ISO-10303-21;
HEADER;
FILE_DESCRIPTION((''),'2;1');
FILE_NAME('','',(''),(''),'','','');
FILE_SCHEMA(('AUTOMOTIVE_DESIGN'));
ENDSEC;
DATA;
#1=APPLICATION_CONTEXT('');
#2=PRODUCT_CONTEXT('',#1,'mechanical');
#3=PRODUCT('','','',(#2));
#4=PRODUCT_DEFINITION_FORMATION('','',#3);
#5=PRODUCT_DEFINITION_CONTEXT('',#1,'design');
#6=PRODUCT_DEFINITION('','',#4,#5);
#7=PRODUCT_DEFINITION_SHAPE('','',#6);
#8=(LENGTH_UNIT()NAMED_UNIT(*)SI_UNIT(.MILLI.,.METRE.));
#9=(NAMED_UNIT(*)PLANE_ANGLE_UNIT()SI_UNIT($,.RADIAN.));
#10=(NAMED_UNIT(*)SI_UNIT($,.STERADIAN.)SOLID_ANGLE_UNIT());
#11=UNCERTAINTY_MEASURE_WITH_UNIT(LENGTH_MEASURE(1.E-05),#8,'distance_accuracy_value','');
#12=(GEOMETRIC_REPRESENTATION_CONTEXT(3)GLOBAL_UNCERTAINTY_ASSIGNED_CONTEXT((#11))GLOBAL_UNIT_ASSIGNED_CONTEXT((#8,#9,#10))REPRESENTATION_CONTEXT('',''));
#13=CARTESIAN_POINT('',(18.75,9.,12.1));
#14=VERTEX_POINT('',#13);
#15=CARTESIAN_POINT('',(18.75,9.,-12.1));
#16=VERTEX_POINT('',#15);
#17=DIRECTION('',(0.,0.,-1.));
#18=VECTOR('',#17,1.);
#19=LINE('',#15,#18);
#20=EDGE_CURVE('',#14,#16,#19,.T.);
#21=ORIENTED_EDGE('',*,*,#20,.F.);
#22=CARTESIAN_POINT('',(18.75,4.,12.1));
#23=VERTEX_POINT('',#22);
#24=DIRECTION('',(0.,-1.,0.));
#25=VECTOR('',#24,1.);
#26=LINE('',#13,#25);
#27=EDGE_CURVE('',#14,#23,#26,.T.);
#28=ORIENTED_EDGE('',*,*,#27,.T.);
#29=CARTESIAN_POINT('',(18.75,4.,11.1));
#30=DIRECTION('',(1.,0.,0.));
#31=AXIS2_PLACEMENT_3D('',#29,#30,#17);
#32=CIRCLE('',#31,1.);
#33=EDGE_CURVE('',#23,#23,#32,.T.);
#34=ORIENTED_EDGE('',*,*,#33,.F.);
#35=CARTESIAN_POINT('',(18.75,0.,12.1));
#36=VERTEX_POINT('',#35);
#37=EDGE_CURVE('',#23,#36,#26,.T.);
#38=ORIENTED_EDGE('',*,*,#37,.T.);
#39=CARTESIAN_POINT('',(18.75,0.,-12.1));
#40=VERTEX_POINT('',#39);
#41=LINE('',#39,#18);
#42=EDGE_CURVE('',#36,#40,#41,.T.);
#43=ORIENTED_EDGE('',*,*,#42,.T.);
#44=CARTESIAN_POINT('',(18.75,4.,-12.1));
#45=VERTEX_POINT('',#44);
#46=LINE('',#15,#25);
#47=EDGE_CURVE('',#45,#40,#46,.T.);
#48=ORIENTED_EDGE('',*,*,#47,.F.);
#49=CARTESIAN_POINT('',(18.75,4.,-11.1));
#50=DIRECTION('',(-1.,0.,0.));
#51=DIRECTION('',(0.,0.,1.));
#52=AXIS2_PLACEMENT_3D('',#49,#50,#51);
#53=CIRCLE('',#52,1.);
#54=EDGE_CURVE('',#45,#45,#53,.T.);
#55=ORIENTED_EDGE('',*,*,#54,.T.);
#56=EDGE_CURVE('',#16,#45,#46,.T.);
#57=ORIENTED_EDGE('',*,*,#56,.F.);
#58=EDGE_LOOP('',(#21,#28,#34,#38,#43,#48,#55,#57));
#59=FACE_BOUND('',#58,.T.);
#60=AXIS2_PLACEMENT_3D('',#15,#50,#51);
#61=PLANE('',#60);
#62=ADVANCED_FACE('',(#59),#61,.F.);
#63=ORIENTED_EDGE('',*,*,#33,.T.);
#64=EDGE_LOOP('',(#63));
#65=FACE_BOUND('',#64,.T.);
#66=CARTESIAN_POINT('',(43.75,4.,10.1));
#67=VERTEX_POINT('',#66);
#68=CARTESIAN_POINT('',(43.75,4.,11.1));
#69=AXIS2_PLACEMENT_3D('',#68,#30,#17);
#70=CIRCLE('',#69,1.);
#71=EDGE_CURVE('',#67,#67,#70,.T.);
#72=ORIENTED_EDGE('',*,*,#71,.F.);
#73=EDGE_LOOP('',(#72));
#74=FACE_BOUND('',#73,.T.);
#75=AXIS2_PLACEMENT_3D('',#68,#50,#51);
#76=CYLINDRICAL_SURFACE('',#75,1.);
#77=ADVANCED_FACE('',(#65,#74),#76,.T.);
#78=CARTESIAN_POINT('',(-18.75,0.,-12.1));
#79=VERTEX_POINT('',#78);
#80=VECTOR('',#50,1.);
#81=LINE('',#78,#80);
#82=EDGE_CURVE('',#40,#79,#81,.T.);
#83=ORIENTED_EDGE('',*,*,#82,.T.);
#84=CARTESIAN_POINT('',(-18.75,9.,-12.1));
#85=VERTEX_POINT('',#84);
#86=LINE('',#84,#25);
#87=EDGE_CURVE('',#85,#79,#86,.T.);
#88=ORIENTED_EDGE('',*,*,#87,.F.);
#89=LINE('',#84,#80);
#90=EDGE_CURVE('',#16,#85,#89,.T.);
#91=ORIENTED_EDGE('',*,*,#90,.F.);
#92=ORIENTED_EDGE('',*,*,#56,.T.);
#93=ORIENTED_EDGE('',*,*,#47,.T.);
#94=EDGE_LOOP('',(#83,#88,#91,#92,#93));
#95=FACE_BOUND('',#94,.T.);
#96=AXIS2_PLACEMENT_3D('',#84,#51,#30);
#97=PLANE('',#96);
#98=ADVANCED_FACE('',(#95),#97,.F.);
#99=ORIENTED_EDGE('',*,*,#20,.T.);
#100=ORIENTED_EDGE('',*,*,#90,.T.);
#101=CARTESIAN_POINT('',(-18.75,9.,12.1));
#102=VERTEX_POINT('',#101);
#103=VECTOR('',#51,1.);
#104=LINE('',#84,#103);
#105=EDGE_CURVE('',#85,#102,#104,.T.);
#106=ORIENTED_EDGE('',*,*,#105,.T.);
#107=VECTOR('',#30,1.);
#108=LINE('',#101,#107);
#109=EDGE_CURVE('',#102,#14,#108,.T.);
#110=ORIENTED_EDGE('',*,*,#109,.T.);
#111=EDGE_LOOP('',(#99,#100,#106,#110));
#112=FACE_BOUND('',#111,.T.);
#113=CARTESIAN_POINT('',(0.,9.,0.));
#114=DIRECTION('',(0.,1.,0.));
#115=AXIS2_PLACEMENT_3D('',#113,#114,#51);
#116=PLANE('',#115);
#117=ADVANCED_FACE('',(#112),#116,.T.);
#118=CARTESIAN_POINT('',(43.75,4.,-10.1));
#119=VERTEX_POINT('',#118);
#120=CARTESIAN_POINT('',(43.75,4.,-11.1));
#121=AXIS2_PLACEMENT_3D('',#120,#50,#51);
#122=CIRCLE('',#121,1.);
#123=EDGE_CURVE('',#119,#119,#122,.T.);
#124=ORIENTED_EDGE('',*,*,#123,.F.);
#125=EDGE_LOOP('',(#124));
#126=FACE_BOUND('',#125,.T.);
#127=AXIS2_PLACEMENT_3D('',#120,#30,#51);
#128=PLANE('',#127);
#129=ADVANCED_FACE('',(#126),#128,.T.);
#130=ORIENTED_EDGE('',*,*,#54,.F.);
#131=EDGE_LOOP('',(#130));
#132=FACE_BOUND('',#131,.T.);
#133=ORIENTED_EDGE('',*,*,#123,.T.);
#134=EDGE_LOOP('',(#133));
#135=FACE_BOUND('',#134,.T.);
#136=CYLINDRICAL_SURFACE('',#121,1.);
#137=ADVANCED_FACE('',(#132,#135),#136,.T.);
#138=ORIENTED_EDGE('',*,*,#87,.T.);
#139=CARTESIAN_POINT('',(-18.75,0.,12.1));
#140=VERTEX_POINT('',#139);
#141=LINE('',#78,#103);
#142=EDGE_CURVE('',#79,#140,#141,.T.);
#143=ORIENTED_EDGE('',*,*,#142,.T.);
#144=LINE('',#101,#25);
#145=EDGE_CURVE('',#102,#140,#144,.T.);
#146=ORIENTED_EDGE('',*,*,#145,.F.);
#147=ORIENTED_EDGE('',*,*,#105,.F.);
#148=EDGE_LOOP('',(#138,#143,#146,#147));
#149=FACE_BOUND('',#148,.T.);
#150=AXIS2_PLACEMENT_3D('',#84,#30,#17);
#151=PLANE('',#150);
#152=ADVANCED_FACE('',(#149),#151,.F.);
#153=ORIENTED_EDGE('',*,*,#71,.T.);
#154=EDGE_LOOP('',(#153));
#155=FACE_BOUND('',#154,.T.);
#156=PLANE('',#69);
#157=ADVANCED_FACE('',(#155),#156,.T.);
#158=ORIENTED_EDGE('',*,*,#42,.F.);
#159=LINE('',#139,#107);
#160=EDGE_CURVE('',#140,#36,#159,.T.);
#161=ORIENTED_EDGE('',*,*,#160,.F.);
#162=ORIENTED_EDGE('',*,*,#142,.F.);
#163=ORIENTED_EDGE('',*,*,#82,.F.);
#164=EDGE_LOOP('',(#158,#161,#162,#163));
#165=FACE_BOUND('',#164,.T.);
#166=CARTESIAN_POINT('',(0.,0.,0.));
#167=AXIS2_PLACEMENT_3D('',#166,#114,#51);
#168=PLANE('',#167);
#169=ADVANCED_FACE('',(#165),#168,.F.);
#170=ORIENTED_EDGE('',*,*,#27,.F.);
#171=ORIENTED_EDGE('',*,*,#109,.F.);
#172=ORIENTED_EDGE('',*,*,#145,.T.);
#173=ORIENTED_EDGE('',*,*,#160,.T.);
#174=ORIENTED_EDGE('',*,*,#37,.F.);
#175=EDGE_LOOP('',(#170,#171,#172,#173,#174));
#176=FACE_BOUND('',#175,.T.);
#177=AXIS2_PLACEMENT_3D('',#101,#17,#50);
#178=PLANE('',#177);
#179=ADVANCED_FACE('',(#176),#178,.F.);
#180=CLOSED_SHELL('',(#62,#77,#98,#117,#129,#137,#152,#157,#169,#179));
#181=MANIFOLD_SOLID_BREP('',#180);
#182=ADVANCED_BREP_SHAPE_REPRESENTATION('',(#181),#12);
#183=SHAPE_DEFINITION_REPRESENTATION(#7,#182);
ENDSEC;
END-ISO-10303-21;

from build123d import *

# Parameters (mm, degrees)
SKETCH2_W           = 37.5
SKETCH2_H           = 24.2
BOSS_EXTRUDE1_DEPTH = 9
SKETCH3_R           = 1
BOSS_EXTRUDE2_DEPTH = 25


with BuildPart() as part:
    # Sketch2 → Boss-Extrude1 (new body)
    with BuildSketch(Plane(origin=(0, 0, 0), x_dir=(1, 0, 0), z_dir=(0, 1, 0))):
        Rectangle(SKETCH2_W, SKETCH2_H)
    extrude(amount=BOSS_EXTRUDE1_DEPTH)

    # Sketch3 → Boss-Extrude2 (add)
    with BuildSketch(Plane(origin=(18.75, 0, 0), x_dir=(0, 0, -1), z_dir=(1, 0, 0))):
        with Locations(Location((-11.1, 4, 0), (0, 0, 180))):
            Circle(SKETCH3_R)
    boss_extrude2 = extrude(amount=BOSS_EXTRUDE2_DEPTH)

    # Mirror1: Boss-Extrude2 across plane
    add(boss_extrude2.mirror(Plane.XY))


solid = part.part
